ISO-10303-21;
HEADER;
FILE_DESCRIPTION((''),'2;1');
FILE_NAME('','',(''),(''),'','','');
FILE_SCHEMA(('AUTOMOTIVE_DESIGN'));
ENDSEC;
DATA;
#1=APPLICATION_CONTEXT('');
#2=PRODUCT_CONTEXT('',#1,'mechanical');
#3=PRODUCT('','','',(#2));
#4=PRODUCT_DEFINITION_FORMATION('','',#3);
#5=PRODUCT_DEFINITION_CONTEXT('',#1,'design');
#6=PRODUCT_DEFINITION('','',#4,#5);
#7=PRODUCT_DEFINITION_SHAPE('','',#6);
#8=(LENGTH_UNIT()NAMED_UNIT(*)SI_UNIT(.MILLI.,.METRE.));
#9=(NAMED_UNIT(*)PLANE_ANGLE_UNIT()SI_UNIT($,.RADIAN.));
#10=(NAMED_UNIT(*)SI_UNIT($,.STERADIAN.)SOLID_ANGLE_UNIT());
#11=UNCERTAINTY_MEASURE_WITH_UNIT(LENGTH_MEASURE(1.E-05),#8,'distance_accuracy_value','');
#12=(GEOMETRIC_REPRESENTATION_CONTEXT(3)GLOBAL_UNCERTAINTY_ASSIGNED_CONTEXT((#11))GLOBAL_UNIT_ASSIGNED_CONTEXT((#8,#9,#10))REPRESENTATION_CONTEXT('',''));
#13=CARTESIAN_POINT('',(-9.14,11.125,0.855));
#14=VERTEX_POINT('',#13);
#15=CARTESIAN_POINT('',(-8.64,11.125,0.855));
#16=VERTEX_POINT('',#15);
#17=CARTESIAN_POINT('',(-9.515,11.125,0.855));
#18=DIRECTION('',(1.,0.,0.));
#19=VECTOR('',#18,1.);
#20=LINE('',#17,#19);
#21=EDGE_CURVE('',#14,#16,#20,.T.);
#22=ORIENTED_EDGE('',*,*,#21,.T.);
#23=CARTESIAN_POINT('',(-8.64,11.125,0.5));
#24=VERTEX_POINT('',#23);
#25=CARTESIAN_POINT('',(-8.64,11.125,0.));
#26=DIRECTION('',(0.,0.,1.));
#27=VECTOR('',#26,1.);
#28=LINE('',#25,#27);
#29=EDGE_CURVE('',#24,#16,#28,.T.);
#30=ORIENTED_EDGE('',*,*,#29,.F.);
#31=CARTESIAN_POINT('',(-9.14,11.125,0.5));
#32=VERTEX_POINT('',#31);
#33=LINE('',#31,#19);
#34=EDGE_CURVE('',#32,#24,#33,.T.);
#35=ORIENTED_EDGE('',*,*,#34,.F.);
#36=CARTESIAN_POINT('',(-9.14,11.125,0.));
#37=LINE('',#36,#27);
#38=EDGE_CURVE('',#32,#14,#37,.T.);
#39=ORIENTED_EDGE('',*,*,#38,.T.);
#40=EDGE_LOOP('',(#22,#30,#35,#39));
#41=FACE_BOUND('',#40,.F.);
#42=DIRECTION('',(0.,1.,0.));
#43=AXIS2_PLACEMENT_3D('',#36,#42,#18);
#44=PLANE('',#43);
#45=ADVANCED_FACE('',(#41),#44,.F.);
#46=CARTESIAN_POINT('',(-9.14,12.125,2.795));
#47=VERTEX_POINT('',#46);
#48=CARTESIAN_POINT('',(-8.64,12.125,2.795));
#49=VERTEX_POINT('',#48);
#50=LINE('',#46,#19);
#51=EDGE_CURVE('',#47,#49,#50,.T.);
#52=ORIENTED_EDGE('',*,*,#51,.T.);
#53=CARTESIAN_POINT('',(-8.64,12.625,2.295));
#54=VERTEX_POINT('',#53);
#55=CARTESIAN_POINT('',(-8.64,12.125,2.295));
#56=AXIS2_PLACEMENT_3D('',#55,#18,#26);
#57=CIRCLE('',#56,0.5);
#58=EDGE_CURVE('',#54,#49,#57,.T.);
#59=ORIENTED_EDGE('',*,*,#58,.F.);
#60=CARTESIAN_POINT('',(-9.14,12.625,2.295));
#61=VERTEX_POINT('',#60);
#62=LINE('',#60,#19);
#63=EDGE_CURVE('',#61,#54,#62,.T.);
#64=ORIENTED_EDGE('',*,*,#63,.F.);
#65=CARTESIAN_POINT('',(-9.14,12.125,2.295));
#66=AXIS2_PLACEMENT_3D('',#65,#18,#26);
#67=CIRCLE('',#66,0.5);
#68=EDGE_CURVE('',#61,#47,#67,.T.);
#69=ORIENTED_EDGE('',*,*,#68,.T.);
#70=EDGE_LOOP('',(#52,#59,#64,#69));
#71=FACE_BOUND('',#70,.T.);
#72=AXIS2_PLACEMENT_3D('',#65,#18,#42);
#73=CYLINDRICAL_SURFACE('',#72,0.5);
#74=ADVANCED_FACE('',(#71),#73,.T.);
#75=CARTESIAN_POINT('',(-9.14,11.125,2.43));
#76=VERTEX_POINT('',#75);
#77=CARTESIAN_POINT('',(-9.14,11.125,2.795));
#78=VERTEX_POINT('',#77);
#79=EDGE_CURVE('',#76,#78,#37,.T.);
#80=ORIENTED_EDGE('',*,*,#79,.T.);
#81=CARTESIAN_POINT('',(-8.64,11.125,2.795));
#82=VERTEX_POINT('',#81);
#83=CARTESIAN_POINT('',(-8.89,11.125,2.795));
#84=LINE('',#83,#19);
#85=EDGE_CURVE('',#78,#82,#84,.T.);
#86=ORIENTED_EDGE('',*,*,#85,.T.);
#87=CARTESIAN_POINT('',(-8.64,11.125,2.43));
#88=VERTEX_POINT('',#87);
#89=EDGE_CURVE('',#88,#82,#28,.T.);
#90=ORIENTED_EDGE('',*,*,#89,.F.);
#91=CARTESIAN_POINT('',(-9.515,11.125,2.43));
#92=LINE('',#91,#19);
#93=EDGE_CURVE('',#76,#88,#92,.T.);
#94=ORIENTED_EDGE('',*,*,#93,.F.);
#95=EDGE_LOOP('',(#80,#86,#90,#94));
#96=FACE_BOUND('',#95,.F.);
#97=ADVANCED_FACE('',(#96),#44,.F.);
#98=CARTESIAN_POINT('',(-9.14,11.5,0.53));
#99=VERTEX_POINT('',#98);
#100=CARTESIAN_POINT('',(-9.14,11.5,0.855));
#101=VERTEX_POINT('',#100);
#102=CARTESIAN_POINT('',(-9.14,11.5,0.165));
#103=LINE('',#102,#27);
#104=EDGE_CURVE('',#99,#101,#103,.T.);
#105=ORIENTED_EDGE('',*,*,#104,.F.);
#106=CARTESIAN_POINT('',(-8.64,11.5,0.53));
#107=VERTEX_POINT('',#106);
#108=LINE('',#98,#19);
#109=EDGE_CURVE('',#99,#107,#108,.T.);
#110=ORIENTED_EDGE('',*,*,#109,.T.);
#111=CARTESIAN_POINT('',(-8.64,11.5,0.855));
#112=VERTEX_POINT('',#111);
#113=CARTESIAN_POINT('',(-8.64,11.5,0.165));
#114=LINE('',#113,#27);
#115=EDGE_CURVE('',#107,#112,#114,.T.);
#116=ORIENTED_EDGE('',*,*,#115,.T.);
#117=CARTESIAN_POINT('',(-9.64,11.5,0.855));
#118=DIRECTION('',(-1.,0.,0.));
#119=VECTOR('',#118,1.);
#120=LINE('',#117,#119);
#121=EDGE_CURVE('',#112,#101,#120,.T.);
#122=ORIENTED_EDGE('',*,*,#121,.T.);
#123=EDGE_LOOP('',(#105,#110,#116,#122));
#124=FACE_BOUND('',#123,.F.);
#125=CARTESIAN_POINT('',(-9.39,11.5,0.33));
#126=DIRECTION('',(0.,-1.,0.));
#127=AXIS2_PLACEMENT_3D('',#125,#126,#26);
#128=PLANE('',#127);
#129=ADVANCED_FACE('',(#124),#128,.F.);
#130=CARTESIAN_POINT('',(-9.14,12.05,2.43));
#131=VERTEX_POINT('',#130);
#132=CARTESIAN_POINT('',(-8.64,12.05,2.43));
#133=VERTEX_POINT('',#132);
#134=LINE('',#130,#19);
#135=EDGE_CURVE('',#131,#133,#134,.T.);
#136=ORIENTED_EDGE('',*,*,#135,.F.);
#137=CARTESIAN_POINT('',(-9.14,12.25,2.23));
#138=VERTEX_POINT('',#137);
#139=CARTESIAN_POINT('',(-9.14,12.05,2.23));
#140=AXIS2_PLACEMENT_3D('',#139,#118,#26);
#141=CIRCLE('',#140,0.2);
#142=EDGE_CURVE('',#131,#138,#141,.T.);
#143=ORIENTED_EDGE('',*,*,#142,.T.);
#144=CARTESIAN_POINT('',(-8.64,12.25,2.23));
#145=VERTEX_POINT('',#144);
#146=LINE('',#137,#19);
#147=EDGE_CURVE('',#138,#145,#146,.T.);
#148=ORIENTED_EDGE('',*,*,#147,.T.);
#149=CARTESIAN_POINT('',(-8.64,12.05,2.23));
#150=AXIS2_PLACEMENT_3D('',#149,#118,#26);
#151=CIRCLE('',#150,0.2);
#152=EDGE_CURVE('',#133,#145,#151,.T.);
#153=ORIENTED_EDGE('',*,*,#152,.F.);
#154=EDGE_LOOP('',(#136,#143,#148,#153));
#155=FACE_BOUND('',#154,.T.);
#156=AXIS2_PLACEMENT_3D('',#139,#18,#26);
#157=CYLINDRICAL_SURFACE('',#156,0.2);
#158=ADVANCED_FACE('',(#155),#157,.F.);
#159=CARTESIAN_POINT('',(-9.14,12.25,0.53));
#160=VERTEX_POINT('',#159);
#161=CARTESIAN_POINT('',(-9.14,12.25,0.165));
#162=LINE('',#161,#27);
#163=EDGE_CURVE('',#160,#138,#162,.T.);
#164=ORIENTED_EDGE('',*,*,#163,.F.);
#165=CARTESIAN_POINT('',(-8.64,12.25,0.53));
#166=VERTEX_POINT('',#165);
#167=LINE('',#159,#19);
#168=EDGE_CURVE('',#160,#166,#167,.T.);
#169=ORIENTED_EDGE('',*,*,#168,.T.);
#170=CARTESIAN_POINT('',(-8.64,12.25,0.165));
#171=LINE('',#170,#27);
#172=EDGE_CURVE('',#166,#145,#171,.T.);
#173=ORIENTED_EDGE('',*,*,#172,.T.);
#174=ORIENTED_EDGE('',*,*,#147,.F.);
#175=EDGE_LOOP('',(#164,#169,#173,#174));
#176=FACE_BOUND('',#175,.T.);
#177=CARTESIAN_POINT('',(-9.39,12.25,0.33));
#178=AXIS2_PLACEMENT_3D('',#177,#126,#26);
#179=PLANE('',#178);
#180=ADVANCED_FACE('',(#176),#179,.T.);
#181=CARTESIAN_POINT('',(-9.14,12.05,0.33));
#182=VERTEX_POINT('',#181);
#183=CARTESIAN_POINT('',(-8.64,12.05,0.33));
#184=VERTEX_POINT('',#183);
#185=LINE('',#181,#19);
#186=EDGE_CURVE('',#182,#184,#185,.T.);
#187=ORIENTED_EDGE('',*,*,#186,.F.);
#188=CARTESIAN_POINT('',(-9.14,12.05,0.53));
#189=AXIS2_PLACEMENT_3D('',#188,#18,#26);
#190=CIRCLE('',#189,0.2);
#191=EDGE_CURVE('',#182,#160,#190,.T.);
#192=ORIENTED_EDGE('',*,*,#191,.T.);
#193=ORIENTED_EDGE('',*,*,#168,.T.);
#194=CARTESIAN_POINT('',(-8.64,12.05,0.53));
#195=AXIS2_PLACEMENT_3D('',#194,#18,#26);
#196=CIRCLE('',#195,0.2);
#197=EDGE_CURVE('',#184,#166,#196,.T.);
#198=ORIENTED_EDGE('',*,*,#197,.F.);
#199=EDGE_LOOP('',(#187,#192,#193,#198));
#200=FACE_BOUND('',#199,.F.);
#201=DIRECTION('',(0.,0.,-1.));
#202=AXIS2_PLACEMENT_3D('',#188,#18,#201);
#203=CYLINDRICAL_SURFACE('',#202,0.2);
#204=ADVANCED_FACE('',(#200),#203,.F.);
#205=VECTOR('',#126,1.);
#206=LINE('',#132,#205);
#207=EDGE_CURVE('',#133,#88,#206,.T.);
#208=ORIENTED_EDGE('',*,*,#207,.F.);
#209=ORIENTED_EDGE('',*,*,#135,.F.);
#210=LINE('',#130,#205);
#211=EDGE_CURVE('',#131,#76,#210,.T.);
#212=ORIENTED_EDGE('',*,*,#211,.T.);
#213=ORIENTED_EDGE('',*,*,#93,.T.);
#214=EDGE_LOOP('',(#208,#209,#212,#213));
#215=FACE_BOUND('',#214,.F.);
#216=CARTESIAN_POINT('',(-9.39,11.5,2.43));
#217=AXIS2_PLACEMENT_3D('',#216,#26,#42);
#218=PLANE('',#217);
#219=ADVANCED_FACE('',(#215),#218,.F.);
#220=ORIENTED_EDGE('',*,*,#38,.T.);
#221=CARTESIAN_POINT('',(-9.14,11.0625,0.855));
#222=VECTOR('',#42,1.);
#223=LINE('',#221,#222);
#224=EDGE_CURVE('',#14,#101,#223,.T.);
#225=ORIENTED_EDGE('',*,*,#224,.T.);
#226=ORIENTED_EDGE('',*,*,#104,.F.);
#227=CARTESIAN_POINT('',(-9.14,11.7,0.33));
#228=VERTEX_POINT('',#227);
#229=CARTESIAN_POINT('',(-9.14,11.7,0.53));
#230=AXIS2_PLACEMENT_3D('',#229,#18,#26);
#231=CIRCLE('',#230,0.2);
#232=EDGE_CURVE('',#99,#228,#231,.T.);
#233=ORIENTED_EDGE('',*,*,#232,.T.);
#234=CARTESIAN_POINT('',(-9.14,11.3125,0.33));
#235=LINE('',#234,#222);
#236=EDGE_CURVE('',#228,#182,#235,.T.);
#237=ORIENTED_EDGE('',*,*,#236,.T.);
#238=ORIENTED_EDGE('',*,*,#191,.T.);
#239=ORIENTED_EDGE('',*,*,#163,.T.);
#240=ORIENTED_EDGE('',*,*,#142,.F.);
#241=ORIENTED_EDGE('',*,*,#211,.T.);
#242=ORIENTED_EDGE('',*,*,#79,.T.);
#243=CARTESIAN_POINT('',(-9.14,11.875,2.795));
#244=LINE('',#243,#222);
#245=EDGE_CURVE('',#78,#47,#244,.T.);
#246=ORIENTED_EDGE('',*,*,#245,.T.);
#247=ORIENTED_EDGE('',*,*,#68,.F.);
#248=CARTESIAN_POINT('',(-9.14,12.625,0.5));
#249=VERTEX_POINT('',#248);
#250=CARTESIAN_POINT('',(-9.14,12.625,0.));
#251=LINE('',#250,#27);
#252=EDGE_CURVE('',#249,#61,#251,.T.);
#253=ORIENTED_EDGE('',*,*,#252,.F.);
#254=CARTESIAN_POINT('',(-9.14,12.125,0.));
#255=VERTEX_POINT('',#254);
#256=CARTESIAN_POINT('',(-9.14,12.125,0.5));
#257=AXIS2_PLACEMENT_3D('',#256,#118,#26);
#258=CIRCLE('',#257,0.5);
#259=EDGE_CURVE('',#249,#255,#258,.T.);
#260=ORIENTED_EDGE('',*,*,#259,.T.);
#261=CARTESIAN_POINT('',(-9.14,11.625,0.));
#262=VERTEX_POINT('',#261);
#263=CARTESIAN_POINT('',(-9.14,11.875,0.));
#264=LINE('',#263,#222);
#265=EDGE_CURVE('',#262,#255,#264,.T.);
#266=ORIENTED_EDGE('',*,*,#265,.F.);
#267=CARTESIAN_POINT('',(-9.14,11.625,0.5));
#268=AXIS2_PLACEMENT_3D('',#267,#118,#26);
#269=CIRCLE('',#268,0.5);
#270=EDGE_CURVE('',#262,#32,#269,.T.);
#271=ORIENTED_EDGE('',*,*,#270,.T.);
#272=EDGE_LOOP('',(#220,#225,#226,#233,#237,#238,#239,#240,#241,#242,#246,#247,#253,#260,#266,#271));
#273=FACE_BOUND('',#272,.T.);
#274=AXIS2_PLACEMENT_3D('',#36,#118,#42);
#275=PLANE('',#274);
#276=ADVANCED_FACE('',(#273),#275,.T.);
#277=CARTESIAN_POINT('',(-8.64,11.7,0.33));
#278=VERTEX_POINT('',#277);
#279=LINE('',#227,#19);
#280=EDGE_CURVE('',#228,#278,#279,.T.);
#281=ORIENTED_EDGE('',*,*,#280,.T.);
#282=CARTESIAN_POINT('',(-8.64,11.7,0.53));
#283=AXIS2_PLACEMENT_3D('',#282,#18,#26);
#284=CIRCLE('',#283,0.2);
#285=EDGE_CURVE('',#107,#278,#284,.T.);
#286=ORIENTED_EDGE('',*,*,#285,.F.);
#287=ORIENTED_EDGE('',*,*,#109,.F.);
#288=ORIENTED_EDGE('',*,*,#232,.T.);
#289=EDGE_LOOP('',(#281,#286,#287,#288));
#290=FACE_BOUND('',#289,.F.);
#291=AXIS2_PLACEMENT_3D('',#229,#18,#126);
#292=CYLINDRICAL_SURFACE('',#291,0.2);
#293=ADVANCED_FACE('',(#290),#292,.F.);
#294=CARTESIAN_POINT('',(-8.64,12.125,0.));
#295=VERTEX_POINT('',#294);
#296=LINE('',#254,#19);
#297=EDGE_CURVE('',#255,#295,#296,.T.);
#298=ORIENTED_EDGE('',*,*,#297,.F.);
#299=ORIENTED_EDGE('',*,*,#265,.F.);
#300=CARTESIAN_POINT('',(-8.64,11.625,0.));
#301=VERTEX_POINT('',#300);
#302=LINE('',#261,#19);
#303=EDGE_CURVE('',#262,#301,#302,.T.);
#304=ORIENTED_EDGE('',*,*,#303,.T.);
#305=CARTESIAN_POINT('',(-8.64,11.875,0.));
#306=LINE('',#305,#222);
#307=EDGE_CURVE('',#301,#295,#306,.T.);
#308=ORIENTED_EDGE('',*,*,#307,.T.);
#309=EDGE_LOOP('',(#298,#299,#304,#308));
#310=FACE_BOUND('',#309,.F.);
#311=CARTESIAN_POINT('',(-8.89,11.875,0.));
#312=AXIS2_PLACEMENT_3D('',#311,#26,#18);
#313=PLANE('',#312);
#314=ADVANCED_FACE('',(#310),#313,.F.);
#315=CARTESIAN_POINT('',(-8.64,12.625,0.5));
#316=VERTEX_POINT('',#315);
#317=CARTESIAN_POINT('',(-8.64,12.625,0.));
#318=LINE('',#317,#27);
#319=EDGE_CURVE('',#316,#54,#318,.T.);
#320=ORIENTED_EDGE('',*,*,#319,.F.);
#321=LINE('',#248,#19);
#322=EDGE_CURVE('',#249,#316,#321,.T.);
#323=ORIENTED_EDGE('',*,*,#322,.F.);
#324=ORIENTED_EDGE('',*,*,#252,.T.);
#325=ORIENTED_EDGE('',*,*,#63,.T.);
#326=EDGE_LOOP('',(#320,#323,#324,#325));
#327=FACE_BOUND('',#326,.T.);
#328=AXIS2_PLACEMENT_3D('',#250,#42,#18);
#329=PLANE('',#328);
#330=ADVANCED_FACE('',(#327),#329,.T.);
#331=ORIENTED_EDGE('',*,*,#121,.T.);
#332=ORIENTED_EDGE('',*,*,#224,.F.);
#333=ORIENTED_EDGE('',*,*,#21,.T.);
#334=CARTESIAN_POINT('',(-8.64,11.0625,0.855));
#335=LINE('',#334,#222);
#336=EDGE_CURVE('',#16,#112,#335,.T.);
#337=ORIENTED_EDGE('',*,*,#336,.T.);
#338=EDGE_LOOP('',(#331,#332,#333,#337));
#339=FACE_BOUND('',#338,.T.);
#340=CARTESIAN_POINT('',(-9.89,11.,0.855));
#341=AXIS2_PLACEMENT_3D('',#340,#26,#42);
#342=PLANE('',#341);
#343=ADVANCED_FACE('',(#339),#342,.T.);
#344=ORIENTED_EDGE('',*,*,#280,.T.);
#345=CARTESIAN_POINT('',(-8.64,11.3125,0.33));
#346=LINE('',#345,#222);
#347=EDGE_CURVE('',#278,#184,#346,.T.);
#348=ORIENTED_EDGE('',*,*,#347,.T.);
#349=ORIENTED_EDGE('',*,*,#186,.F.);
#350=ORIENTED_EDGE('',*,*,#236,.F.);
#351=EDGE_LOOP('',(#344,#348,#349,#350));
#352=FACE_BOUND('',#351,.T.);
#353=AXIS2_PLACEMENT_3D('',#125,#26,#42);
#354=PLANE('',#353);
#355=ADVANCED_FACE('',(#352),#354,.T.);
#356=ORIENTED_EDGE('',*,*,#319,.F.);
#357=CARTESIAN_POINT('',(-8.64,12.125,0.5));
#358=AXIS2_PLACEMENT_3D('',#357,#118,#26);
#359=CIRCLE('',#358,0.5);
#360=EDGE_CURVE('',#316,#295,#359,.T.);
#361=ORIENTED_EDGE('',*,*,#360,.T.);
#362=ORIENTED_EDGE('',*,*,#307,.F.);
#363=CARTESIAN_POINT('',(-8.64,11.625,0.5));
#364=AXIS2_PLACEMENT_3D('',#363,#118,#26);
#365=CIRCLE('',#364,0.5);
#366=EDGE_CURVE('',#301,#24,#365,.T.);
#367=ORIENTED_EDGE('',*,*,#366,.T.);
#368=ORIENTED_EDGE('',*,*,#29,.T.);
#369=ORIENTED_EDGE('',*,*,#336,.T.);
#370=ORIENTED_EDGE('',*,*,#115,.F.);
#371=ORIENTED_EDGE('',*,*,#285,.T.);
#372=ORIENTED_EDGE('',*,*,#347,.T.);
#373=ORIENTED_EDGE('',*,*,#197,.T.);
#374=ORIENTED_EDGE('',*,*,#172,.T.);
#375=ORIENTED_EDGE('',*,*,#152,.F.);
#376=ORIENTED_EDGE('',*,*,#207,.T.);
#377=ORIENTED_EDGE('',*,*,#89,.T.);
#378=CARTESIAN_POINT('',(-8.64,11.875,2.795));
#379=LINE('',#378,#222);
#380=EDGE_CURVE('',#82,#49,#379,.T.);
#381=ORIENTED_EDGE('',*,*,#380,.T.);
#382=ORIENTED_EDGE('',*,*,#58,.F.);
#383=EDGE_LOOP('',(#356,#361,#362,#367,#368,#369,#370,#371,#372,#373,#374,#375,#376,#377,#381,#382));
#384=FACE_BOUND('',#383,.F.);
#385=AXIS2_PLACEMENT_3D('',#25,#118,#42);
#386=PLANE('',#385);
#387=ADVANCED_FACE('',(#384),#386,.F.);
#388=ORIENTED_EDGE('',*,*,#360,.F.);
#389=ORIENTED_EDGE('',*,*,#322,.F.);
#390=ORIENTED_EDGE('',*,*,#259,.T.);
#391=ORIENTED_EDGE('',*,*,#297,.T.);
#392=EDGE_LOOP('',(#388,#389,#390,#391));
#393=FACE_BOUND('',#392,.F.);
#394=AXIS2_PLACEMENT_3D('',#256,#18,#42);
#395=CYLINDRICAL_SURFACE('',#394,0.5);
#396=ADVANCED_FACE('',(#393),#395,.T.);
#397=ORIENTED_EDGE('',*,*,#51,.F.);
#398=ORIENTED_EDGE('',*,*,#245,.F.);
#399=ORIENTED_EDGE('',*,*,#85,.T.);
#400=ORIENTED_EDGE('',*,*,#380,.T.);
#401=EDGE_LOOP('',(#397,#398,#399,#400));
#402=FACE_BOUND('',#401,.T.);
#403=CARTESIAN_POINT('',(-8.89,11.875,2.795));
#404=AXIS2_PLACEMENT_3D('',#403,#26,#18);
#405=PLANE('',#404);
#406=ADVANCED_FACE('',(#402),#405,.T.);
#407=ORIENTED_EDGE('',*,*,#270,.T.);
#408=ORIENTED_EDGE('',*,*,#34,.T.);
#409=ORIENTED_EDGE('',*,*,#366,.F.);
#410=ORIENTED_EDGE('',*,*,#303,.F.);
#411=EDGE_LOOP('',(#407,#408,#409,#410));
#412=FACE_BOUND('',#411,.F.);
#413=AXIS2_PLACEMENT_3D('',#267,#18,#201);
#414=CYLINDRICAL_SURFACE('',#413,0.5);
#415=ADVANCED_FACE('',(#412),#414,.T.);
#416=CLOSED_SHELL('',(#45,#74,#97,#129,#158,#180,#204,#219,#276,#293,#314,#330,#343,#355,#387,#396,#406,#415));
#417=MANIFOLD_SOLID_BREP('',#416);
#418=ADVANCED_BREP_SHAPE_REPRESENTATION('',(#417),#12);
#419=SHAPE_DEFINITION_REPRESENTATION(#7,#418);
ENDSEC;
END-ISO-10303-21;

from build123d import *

# Parameters (mm, degrees)
BOX135_W     = 0.5
BOX135_H     = 1.5
BOX135_DEPTH = 2.795
FILLET335_R  = 0.5
FILLET340_R  = 0.5
FILLET331_R  = 0.5
BOX117_W     = 0.75
BOX117_H     = 2.1
BOX117_DEPTH = 1
FILLET328_R  = 0.2
FILLET348_R  = 0.2
FILLET339_R  = 0.2
FILLET320_R  = 0.2
BOX140_W     = 1
BOX140_H     = 1.575
BOX140_DEPTH = 3


with BuildPart() as part:
    # Box135 → Box135 (join)
    with BuildSketch(Plane(origin=(-0.25, 11.125, 0), x_dir=(1, 0, 0), z_dir=(0, 0, 1))):
        with Locations((0.25, 0.75)):
            Rectangle(BOX135_W, BOX135_H)
    extrude(amount=BOX135_DEPTH)

    # Fillet335
    fillet335_edges = [part.edges().sort_by_distance(p)[0] for p in [
        (0, 12.625, 0),
    ]]
    fillet(fillet335_edges, radius=FILLET335_R)

    # Fillet340
    fillet340_edges = [part.edges().sort_by_distance(p)[0] for p in [
        (0, 12.625, 2.795),
    ]]
    fillet(fillet340_edges, radius=FILLET340_R)

    # Fillet331
    fillet331_edges = [part.edges().sort_by_distance(p)[0] for p in [
        (0, 11.125, 0),
    ]]
    fillet(fillet331_edges, radius=FILLET331_R)

    # Box117 → Box117 (cut)
    with BuildSketch(Plane(origin=(-0.5, 11.5, 0.33), x_dir=(0, 1, 0), z_dir=(1, 0, 0))):
        with Locations((0.375, 1.05)):
            Rectangle(BOX117_W, BOX117_H)
    extrude(amount=BOX117_DEPTH, mode=Mode.SUBTRACT)

    # Fillet328
    fillet328_edges = [part.edges().sort_by_distance(p)[0] for p in [
        (0, 11.5, 0.33),
    ]]
    fillet(fillet328_edges, radius=FILLET328_R)

    # Fillet348
    fillet348_edges = [part.edges().sort_by_distance(p)[0] for p in [
        (0, 12.25, 0.33),
    ]]
    fillet(fillet348_edges, radius=FILLET348_R)

    # Fillet339
    fillet339_edges = [part.edges().sort_by_distance(p)[0] for p in [
        (0, 11.5, 2.43),
    ]]
    fillet(fillet339_edges, radius=FILLET339_R)

    # Fillet320
    fillet320_edges = [part.edges().sort_by_distance(p)[0] for p in [
        (0, 12.25, 2.43),
    ]]
    fillet(fillet320_edges, radius=FILLET320_R)

    # Box140 → Box140 (cut)
    with BuildSketch(Plane(origin=(-1, 11, 0.855), x_dir=(0, 1, 0), z_dir=(1, 0, 0))):
        with Locations((0.5, 0.7875)):
            Rectangle(BOX140_W, BOX140_H)
    extrude(amount=BOX140_DEPTH, mode=Mode.SUBTRACT)


with BuildPart() as part_1:
    # Body048 placement: moved
    add(part.part.moved(Location((-8.89, 0, 0))))


solid = part_1.part
